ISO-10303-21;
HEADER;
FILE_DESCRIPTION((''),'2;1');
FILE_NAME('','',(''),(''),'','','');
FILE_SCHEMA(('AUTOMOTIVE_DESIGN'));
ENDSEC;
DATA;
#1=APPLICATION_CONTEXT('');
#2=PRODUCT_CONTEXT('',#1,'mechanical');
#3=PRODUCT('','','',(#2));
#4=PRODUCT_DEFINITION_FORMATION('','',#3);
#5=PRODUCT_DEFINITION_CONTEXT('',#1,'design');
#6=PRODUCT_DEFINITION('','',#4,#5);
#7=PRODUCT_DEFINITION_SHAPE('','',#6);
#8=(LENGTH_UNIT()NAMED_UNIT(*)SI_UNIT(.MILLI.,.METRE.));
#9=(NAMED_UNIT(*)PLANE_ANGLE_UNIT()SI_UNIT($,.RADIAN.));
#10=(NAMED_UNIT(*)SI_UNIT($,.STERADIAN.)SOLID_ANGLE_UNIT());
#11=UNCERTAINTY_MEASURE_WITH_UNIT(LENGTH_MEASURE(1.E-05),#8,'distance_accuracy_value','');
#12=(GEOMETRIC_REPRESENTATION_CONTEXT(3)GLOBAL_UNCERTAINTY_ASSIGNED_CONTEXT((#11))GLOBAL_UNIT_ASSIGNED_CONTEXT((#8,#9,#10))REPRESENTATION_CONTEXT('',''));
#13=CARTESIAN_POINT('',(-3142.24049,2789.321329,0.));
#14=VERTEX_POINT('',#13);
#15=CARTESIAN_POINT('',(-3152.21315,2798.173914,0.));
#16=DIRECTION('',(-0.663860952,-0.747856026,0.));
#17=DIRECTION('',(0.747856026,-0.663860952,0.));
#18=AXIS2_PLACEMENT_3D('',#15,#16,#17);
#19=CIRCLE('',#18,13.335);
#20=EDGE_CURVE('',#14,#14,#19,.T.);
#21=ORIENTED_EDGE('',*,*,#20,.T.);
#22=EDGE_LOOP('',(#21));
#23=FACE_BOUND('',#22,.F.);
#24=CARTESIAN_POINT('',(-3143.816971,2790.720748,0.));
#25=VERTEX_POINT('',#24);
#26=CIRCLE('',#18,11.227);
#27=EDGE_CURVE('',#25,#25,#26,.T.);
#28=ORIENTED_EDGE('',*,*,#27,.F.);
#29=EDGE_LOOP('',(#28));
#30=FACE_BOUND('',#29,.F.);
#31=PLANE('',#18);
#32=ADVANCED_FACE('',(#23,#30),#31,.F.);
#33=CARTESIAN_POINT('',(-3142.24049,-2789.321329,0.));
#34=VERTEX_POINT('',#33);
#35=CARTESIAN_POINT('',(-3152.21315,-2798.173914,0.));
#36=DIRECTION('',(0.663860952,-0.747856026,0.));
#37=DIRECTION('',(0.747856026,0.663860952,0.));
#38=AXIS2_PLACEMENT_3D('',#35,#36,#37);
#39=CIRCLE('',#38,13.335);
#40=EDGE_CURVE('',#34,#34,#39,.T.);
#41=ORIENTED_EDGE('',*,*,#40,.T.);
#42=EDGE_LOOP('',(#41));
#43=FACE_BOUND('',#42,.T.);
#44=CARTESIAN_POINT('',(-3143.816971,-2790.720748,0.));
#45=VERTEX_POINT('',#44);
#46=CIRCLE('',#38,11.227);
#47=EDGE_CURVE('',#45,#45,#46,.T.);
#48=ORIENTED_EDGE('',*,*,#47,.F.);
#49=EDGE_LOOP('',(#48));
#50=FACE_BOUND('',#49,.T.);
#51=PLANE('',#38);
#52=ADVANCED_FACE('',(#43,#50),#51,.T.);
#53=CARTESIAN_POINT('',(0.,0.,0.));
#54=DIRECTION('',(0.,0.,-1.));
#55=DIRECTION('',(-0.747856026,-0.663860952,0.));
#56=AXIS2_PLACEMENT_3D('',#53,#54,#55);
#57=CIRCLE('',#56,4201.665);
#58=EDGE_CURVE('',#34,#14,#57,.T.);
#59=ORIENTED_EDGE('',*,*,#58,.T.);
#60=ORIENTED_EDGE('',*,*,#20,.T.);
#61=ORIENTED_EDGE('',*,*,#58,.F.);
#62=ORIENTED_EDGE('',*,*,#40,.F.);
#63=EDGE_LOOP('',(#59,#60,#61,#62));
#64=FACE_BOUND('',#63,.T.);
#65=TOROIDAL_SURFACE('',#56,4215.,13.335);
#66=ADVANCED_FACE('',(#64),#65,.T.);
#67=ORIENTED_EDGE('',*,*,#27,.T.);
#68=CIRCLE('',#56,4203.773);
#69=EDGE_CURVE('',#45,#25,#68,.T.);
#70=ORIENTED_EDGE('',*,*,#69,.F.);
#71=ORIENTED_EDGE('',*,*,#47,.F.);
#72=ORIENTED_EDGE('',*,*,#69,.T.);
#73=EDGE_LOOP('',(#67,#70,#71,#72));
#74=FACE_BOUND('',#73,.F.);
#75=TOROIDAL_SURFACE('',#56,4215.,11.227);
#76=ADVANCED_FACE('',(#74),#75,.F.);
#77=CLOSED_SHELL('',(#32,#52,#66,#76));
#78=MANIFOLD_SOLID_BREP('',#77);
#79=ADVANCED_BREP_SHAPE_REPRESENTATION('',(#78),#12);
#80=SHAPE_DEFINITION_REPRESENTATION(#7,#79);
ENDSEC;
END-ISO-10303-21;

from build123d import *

# Parameters (mm, degrees)
F0_R          = 13.335
F0_R_2        = 11.227
F1_ANGLE_BACK = 41.595
F1_ANGLE      = 83.19


with BuildPart() as f1:
    # F0 (on Front) → F1 (revolve)
    with BuildSketch(Plane.XZ, mode=Mode.PRIVATE) as f1_sk:
        with Locations((-4215, 0)):
            Circle(F0_R)
        with Locations((-4215, 0)):
            Circle(F0_R_2, mode=Mode.SUBTRACT)
    revolve(f1_sk.sketch.rotate(Axis((0, 0, -12.5), (0, 0, -1)), -F1_ANGLE_BACK), axis=Axis((0, 0, -12.5), (0, 0, -1)), revolution_arc=F1_ANGLE)


solid = f1.part
